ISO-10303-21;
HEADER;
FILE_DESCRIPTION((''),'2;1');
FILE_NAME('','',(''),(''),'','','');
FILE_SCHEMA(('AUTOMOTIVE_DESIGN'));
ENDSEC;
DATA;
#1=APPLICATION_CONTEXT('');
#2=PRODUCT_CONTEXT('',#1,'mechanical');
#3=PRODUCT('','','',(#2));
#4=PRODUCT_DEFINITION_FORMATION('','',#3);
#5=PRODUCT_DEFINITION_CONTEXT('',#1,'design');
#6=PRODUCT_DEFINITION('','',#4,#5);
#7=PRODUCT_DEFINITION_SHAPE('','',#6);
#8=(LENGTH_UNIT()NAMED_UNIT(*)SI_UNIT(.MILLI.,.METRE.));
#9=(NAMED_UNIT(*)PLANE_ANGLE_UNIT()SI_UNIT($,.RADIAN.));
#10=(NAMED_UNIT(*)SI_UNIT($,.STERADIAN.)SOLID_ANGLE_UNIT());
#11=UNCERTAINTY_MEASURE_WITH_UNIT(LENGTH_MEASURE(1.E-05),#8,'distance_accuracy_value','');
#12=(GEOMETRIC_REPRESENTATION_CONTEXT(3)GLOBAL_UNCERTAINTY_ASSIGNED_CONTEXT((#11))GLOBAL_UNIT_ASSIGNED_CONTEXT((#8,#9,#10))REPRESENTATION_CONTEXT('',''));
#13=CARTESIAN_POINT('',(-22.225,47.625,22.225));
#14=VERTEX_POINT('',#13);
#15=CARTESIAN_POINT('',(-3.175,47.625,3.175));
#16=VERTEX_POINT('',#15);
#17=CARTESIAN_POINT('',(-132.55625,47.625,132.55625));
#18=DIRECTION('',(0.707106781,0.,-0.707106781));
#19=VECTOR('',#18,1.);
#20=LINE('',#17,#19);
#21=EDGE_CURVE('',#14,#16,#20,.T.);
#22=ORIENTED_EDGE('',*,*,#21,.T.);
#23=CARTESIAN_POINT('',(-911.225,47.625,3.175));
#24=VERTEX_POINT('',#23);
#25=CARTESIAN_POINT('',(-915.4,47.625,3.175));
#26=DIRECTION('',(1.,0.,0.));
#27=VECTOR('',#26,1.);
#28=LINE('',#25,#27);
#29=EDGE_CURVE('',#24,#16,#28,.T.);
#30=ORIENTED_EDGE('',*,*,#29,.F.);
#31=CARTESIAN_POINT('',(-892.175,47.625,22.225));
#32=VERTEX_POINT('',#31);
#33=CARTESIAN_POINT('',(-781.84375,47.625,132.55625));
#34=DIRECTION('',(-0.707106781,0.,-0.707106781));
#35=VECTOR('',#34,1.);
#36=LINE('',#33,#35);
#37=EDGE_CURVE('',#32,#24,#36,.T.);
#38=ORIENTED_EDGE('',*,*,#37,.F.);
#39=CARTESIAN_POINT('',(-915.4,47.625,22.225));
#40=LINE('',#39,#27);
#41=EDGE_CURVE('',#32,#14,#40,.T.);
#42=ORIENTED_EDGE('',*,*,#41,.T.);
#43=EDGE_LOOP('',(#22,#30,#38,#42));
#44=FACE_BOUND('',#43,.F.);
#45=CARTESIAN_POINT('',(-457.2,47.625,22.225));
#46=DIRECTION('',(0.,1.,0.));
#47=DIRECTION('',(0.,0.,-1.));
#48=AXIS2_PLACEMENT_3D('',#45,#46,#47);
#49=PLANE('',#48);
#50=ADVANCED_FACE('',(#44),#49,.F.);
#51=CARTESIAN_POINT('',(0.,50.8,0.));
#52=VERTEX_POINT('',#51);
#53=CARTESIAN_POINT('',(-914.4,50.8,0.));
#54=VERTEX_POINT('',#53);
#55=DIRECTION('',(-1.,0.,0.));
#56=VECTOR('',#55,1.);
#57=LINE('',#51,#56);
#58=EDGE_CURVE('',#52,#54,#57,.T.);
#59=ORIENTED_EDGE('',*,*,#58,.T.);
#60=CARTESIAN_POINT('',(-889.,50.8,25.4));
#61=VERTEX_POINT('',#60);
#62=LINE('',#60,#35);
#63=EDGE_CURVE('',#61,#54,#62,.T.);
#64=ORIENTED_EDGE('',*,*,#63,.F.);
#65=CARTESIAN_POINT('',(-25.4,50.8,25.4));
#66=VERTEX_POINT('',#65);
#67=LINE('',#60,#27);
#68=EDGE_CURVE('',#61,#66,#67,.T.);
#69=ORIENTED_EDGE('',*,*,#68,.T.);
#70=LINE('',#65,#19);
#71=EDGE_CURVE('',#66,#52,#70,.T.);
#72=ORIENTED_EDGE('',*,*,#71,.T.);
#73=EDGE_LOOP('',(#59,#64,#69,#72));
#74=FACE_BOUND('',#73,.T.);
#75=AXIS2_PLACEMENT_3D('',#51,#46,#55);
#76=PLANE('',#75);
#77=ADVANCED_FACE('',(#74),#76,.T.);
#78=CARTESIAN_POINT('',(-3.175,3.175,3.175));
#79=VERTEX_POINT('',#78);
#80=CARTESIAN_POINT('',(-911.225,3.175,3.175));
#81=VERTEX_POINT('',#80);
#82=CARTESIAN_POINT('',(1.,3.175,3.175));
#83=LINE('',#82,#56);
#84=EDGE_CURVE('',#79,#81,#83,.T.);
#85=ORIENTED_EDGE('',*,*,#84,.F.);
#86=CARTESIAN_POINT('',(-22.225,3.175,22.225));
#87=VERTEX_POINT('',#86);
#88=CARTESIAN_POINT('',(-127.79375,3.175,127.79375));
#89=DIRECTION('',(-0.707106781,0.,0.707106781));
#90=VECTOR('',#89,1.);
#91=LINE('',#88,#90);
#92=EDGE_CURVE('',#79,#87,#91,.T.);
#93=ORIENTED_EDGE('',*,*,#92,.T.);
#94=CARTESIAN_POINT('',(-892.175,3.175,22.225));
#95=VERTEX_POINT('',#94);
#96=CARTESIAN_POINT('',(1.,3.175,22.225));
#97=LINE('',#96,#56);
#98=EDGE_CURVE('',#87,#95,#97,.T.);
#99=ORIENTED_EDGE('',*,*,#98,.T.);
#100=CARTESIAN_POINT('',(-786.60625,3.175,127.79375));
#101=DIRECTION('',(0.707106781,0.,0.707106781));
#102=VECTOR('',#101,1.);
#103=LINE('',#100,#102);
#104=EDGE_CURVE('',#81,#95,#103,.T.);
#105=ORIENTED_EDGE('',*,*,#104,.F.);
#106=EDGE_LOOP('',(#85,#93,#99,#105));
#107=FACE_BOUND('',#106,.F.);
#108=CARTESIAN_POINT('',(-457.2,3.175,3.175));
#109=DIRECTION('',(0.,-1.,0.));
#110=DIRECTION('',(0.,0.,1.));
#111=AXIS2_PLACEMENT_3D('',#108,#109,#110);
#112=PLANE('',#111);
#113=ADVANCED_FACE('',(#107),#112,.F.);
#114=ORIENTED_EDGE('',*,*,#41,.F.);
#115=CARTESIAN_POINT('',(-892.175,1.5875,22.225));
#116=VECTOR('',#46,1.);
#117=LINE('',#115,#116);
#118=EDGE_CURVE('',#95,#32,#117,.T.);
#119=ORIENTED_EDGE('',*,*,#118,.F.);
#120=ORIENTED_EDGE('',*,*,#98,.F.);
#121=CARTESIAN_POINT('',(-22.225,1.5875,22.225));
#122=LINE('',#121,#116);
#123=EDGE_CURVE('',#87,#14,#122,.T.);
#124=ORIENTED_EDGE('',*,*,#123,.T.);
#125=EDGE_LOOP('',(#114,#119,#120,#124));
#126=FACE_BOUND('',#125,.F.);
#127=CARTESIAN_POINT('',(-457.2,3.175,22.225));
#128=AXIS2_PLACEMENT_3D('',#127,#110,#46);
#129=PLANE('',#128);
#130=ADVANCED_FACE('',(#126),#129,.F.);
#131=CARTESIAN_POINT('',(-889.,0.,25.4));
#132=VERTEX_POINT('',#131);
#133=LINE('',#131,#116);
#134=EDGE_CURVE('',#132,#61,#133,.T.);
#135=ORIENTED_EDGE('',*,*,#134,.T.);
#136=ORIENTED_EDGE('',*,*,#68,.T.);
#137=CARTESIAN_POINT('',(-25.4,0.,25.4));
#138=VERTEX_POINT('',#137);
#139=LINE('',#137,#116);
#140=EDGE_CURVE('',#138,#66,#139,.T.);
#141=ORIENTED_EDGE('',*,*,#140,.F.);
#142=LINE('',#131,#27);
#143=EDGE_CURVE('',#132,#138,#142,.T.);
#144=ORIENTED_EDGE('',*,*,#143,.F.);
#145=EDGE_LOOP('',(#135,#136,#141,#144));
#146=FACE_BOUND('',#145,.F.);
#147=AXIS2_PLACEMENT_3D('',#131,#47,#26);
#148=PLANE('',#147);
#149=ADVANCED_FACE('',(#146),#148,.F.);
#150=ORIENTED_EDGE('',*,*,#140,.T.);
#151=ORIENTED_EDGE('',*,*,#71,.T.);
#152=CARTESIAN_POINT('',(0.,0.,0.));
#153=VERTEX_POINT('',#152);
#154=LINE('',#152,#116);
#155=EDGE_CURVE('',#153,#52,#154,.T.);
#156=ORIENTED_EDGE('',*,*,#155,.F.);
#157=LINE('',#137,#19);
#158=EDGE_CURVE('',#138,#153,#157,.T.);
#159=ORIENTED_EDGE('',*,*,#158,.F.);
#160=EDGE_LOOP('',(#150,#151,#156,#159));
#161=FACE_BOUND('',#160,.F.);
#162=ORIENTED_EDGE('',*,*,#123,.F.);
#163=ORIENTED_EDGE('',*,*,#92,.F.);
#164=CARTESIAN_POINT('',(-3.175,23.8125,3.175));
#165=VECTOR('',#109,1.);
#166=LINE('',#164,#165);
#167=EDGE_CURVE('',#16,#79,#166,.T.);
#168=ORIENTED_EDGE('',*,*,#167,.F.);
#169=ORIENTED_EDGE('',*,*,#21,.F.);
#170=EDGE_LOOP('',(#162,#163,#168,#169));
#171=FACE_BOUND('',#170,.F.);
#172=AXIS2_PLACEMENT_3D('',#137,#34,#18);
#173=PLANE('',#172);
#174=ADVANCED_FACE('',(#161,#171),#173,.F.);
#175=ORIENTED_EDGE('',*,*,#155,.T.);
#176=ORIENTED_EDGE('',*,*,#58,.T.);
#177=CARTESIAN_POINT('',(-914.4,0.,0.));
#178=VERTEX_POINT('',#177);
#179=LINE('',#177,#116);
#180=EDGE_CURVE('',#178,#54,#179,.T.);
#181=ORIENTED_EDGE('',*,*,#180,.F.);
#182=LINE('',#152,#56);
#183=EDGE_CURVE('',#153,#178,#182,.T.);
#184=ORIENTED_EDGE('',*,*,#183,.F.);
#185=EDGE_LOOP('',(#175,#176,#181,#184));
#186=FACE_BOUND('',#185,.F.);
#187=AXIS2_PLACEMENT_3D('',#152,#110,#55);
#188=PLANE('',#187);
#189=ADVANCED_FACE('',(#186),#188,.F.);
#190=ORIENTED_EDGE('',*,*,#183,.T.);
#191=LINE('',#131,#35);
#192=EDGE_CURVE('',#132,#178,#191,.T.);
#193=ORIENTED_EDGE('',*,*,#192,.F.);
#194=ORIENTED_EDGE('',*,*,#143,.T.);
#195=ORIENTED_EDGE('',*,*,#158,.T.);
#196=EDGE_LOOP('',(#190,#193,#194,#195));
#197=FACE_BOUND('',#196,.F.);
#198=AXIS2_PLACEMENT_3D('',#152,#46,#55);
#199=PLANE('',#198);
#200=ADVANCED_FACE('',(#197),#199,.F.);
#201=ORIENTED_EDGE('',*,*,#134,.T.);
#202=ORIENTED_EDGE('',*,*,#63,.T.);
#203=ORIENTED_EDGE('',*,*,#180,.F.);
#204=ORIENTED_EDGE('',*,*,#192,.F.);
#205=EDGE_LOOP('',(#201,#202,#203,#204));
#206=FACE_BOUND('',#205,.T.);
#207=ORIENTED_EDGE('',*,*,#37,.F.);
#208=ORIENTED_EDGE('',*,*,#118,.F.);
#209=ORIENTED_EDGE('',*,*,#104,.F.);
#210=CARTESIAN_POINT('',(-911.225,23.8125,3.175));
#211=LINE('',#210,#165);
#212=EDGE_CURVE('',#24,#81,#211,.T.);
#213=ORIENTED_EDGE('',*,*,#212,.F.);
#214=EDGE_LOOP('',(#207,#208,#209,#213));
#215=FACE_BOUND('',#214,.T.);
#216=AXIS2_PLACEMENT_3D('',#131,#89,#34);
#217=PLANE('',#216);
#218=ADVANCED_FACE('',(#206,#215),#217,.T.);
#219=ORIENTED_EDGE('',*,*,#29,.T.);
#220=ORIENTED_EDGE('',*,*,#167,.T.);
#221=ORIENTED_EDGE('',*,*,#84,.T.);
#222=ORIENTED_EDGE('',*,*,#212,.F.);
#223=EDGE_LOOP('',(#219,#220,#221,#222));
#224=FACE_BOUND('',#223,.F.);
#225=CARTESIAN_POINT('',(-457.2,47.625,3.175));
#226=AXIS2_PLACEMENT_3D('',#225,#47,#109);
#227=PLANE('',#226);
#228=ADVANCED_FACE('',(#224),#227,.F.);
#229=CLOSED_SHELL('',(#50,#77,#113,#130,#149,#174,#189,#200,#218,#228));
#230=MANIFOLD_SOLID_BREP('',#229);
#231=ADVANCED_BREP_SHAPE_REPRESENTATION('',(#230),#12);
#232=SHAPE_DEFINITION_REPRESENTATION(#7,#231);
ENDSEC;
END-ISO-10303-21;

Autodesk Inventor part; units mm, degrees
ref_plane "YZ Plane" through (0, 0, 0) normal (1, 0, 0) x (0, 1, 0)
ref_plane "XZ Plane" through (0, 0, 0) normal (0, 1, 0) x (-1, 0, 0)
sketch "Sketch1" plane through (0, 0, 0) normal (0, 1, 0) x (-1, 0, 0)
  line L0 (0, 0) -> (914.4, 0)
  line L1 (914.4, 0) -> (914.4, 25.4)
  line L2 (914.4, 25.4) -> (889, 25.4)
  line L3 (889, 25.4) -> (914.4, 0)
  line L4 (889, 25.4) -> (25.4, 25.4)
  line L5 (25.4, 25.4) -> (0, 0)
  dimension "d0" = 914.4
  dimension "d1" = 25.4
  dimension "d2" = 25.4
  dimension "d3" = 863.6
extrude "Extrusion1" add sketch "Sketch1" along normal blind 50.8 contours L5 L4 L3 L0
ref_plane "Work Plane1" through (-457.2, 0, 457.2) normal (1, 0, 0) x (0, 1, 0)
sketch "Sketch2" plane through (-457.2, 0, 457.2) normal (1, 0, 0) x (0, 1, 0)
  line L0 (50.8, -457.2) -> (47.625, -457.2)
  line L1 (0, -457.2) -> (50.8, -457.2) projected
  line L2 (47.625, -457.2) -> (47.625, -454.025)
  line L3 (47.625, -454.025) -> (3.175, -454.025)
  line L4 (3.175, -454.025) -> (3.175, -434.975)
  line L5 (3.175, -434.975) -> (47.625, -434.975)
  line L6 (47.625, -434.975) -> (47.625, -454.025)
  dimension "d6" = 3.175
  dimension "d7" = 3.175
  dimension "d8" = 44.45
  dimension "d9" = 19.05
extrude "Extrusion2" cut sketch "Sketch2" along normal through all both and the other way through all
properties part number "36in 2x1 double corner"
